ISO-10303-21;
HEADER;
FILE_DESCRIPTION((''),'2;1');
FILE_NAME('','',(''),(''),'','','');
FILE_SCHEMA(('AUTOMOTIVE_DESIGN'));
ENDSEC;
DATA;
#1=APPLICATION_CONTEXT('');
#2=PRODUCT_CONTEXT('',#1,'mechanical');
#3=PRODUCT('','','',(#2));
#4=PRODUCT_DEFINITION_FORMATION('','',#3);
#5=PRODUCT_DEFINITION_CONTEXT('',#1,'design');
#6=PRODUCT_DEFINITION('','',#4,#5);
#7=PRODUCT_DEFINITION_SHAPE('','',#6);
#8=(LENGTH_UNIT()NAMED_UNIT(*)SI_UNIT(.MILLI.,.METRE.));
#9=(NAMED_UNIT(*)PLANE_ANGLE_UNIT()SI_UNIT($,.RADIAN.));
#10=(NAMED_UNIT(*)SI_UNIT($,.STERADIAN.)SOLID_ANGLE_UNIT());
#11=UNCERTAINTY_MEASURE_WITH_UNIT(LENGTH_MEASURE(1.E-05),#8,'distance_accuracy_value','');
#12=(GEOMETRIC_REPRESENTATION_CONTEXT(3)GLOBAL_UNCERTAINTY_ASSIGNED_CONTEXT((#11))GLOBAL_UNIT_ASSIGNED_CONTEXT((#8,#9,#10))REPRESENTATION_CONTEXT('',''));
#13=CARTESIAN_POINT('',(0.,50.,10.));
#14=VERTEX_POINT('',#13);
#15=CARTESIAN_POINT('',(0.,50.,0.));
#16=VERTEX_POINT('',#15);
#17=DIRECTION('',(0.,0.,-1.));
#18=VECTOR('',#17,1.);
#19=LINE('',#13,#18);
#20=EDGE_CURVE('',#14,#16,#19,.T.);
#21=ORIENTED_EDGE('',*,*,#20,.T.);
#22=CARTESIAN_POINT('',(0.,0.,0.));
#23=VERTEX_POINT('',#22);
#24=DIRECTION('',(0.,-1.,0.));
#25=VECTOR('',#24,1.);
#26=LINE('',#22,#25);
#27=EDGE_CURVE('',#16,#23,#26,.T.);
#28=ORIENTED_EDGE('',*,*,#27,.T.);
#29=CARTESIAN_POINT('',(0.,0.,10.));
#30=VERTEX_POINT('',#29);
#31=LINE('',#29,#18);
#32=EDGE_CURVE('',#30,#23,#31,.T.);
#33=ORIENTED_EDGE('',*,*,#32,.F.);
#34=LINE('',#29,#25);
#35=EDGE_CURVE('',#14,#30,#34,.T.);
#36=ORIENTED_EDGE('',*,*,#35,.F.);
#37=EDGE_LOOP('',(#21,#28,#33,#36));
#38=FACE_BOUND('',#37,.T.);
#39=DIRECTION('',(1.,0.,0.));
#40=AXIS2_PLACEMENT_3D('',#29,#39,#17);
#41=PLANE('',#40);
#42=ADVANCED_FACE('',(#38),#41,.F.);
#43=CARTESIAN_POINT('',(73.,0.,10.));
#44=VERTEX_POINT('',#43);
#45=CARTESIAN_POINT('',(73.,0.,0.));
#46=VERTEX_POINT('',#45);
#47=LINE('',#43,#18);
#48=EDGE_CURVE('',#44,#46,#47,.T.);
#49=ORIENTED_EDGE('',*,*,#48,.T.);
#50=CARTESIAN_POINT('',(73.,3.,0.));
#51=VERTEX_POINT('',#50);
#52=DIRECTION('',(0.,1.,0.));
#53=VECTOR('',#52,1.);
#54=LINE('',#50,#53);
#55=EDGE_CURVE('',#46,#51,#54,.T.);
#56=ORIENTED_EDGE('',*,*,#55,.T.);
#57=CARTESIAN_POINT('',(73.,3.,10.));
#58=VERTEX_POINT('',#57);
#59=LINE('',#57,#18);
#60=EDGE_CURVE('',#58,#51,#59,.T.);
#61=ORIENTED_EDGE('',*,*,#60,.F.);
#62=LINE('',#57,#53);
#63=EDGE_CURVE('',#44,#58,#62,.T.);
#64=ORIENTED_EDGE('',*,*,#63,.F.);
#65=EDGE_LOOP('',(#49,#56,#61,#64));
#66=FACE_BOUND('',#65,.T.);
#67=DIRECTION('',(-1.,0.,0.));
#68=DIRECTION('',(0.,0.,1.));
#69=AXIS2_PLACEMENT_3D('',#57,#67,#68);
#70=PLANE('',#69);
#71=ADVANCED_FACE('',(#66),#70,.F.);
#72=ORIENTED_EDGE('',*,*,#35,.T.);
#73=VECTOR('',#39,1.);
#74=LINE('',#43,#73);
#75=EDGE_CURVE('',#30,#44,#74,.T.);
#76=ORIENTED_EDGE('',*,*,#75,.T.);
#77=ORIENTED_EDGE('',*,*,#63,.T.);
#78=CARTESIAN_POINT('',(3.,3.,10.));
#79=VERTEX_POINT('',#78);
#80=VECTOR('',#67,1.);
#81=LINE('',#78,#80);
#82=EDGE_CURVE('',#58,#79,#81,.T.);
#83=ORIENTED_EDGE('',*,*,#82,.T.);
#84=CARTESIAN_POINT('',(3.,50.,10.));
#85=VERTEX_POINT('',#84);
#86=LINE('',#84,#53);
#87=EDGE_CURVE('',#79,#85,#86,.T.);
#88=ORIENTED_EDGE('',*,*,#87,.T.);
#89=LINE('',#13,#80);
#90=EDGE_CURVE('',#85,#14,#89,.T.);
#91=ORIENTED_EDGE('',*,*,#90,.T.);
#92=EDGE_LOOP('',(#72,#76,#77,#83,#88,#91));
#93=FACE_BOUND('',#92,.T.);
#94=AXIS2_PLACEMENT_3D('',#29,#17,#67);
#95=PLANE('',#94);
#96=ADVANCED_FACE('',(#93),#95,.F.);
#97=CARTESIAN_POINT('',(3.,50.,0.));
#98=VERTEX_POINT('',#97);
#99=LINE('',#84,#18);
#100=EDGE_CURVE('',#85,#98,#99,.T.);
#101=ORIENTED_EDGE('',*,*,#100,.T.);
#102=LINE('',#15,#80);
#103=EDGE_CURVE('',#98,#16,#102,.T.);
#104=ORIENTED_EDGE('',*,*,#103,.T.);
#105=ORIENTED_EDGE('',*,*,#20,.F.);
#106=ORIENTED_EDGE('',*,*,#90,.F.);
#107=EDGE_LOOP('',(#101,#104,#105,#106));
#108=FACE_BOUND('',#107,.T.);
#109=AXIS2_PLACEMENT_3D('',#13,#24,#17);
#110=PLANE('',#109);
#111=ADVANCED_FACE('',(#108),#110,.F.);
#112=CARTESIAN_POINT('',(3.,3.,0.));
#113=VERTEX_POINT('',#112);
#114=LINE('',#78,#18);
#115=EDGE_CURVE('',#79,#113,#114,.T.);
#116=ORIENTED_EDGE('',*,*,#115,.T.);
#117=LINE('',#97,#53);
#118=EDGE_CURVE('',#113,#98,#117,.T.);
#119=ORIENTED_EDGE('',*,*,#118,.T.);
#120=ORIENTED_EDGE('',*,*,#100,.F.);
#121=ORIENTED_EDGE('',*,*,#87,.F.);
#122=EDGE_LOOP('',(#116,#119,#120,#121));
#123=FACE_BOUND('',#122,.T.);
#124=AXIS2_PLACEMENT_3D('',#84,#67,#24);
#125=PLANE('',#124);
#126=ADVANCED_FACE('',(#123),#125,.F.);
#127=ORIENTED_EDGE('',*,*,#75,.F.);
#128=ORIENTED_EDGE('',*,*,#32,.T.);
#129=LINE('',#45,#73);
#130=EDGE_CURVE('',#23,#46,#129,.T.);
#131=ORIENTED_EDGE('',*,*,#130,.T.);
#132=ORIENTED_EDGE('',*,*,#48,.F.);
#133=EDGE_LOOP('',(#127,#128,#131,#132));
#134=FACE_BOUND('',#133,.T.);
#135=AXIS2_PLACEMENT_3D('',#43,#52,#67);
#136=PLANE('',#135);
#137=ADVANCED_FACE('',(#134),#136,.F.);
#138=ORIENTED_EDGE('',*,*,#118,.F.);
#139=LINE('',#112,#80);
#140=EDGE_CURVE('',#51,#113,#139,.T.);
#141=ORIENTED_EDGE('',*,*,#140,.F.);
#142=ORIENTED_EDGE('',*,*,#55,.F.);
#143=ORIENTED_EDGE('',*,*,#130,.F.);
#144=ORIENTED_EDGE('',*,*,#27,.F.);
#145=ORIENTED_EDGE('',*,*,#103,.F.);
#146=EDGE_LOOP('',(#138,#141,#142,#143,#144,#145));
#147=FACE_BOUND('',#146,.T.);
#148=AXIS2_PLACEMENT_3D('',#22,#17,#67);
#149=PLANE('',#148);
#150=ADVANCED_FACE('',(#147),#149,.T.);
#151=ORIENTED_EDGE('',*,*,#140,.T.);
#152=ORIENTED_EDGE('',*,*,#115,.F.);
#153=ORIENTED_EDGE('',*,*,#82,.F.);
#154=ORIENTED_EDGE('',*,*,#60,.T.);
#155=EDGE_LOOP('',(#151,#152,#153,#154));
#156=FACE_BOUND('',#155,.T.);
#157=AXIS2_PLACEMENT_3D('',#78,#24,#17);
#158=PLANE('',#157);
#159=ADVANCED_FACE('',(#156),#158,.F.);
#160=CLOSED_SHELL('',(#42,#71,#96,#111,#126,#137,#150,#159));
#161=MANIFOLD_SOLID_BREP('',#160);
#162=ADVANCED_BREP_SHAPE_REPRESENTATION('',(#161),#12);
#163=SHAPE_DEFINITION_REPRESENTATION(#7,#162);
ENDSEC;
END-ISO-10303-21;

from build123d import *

# Parameters (mm, degrees)
BOSS_EXTRUDE1_DEPTH = 10


with BuildPart() as part:
    # Sketch1 → Boss-Extrude1 (new body)
    with BuildSketch(Plane.XY):
        Polygon((0, 0), (0, 50), (3, 50), (3, 3), (73, 3), (73, 0), align=None)
    extrude(amount=BOSS_EXTRUDE1_DEPTH)


solid = part.part
